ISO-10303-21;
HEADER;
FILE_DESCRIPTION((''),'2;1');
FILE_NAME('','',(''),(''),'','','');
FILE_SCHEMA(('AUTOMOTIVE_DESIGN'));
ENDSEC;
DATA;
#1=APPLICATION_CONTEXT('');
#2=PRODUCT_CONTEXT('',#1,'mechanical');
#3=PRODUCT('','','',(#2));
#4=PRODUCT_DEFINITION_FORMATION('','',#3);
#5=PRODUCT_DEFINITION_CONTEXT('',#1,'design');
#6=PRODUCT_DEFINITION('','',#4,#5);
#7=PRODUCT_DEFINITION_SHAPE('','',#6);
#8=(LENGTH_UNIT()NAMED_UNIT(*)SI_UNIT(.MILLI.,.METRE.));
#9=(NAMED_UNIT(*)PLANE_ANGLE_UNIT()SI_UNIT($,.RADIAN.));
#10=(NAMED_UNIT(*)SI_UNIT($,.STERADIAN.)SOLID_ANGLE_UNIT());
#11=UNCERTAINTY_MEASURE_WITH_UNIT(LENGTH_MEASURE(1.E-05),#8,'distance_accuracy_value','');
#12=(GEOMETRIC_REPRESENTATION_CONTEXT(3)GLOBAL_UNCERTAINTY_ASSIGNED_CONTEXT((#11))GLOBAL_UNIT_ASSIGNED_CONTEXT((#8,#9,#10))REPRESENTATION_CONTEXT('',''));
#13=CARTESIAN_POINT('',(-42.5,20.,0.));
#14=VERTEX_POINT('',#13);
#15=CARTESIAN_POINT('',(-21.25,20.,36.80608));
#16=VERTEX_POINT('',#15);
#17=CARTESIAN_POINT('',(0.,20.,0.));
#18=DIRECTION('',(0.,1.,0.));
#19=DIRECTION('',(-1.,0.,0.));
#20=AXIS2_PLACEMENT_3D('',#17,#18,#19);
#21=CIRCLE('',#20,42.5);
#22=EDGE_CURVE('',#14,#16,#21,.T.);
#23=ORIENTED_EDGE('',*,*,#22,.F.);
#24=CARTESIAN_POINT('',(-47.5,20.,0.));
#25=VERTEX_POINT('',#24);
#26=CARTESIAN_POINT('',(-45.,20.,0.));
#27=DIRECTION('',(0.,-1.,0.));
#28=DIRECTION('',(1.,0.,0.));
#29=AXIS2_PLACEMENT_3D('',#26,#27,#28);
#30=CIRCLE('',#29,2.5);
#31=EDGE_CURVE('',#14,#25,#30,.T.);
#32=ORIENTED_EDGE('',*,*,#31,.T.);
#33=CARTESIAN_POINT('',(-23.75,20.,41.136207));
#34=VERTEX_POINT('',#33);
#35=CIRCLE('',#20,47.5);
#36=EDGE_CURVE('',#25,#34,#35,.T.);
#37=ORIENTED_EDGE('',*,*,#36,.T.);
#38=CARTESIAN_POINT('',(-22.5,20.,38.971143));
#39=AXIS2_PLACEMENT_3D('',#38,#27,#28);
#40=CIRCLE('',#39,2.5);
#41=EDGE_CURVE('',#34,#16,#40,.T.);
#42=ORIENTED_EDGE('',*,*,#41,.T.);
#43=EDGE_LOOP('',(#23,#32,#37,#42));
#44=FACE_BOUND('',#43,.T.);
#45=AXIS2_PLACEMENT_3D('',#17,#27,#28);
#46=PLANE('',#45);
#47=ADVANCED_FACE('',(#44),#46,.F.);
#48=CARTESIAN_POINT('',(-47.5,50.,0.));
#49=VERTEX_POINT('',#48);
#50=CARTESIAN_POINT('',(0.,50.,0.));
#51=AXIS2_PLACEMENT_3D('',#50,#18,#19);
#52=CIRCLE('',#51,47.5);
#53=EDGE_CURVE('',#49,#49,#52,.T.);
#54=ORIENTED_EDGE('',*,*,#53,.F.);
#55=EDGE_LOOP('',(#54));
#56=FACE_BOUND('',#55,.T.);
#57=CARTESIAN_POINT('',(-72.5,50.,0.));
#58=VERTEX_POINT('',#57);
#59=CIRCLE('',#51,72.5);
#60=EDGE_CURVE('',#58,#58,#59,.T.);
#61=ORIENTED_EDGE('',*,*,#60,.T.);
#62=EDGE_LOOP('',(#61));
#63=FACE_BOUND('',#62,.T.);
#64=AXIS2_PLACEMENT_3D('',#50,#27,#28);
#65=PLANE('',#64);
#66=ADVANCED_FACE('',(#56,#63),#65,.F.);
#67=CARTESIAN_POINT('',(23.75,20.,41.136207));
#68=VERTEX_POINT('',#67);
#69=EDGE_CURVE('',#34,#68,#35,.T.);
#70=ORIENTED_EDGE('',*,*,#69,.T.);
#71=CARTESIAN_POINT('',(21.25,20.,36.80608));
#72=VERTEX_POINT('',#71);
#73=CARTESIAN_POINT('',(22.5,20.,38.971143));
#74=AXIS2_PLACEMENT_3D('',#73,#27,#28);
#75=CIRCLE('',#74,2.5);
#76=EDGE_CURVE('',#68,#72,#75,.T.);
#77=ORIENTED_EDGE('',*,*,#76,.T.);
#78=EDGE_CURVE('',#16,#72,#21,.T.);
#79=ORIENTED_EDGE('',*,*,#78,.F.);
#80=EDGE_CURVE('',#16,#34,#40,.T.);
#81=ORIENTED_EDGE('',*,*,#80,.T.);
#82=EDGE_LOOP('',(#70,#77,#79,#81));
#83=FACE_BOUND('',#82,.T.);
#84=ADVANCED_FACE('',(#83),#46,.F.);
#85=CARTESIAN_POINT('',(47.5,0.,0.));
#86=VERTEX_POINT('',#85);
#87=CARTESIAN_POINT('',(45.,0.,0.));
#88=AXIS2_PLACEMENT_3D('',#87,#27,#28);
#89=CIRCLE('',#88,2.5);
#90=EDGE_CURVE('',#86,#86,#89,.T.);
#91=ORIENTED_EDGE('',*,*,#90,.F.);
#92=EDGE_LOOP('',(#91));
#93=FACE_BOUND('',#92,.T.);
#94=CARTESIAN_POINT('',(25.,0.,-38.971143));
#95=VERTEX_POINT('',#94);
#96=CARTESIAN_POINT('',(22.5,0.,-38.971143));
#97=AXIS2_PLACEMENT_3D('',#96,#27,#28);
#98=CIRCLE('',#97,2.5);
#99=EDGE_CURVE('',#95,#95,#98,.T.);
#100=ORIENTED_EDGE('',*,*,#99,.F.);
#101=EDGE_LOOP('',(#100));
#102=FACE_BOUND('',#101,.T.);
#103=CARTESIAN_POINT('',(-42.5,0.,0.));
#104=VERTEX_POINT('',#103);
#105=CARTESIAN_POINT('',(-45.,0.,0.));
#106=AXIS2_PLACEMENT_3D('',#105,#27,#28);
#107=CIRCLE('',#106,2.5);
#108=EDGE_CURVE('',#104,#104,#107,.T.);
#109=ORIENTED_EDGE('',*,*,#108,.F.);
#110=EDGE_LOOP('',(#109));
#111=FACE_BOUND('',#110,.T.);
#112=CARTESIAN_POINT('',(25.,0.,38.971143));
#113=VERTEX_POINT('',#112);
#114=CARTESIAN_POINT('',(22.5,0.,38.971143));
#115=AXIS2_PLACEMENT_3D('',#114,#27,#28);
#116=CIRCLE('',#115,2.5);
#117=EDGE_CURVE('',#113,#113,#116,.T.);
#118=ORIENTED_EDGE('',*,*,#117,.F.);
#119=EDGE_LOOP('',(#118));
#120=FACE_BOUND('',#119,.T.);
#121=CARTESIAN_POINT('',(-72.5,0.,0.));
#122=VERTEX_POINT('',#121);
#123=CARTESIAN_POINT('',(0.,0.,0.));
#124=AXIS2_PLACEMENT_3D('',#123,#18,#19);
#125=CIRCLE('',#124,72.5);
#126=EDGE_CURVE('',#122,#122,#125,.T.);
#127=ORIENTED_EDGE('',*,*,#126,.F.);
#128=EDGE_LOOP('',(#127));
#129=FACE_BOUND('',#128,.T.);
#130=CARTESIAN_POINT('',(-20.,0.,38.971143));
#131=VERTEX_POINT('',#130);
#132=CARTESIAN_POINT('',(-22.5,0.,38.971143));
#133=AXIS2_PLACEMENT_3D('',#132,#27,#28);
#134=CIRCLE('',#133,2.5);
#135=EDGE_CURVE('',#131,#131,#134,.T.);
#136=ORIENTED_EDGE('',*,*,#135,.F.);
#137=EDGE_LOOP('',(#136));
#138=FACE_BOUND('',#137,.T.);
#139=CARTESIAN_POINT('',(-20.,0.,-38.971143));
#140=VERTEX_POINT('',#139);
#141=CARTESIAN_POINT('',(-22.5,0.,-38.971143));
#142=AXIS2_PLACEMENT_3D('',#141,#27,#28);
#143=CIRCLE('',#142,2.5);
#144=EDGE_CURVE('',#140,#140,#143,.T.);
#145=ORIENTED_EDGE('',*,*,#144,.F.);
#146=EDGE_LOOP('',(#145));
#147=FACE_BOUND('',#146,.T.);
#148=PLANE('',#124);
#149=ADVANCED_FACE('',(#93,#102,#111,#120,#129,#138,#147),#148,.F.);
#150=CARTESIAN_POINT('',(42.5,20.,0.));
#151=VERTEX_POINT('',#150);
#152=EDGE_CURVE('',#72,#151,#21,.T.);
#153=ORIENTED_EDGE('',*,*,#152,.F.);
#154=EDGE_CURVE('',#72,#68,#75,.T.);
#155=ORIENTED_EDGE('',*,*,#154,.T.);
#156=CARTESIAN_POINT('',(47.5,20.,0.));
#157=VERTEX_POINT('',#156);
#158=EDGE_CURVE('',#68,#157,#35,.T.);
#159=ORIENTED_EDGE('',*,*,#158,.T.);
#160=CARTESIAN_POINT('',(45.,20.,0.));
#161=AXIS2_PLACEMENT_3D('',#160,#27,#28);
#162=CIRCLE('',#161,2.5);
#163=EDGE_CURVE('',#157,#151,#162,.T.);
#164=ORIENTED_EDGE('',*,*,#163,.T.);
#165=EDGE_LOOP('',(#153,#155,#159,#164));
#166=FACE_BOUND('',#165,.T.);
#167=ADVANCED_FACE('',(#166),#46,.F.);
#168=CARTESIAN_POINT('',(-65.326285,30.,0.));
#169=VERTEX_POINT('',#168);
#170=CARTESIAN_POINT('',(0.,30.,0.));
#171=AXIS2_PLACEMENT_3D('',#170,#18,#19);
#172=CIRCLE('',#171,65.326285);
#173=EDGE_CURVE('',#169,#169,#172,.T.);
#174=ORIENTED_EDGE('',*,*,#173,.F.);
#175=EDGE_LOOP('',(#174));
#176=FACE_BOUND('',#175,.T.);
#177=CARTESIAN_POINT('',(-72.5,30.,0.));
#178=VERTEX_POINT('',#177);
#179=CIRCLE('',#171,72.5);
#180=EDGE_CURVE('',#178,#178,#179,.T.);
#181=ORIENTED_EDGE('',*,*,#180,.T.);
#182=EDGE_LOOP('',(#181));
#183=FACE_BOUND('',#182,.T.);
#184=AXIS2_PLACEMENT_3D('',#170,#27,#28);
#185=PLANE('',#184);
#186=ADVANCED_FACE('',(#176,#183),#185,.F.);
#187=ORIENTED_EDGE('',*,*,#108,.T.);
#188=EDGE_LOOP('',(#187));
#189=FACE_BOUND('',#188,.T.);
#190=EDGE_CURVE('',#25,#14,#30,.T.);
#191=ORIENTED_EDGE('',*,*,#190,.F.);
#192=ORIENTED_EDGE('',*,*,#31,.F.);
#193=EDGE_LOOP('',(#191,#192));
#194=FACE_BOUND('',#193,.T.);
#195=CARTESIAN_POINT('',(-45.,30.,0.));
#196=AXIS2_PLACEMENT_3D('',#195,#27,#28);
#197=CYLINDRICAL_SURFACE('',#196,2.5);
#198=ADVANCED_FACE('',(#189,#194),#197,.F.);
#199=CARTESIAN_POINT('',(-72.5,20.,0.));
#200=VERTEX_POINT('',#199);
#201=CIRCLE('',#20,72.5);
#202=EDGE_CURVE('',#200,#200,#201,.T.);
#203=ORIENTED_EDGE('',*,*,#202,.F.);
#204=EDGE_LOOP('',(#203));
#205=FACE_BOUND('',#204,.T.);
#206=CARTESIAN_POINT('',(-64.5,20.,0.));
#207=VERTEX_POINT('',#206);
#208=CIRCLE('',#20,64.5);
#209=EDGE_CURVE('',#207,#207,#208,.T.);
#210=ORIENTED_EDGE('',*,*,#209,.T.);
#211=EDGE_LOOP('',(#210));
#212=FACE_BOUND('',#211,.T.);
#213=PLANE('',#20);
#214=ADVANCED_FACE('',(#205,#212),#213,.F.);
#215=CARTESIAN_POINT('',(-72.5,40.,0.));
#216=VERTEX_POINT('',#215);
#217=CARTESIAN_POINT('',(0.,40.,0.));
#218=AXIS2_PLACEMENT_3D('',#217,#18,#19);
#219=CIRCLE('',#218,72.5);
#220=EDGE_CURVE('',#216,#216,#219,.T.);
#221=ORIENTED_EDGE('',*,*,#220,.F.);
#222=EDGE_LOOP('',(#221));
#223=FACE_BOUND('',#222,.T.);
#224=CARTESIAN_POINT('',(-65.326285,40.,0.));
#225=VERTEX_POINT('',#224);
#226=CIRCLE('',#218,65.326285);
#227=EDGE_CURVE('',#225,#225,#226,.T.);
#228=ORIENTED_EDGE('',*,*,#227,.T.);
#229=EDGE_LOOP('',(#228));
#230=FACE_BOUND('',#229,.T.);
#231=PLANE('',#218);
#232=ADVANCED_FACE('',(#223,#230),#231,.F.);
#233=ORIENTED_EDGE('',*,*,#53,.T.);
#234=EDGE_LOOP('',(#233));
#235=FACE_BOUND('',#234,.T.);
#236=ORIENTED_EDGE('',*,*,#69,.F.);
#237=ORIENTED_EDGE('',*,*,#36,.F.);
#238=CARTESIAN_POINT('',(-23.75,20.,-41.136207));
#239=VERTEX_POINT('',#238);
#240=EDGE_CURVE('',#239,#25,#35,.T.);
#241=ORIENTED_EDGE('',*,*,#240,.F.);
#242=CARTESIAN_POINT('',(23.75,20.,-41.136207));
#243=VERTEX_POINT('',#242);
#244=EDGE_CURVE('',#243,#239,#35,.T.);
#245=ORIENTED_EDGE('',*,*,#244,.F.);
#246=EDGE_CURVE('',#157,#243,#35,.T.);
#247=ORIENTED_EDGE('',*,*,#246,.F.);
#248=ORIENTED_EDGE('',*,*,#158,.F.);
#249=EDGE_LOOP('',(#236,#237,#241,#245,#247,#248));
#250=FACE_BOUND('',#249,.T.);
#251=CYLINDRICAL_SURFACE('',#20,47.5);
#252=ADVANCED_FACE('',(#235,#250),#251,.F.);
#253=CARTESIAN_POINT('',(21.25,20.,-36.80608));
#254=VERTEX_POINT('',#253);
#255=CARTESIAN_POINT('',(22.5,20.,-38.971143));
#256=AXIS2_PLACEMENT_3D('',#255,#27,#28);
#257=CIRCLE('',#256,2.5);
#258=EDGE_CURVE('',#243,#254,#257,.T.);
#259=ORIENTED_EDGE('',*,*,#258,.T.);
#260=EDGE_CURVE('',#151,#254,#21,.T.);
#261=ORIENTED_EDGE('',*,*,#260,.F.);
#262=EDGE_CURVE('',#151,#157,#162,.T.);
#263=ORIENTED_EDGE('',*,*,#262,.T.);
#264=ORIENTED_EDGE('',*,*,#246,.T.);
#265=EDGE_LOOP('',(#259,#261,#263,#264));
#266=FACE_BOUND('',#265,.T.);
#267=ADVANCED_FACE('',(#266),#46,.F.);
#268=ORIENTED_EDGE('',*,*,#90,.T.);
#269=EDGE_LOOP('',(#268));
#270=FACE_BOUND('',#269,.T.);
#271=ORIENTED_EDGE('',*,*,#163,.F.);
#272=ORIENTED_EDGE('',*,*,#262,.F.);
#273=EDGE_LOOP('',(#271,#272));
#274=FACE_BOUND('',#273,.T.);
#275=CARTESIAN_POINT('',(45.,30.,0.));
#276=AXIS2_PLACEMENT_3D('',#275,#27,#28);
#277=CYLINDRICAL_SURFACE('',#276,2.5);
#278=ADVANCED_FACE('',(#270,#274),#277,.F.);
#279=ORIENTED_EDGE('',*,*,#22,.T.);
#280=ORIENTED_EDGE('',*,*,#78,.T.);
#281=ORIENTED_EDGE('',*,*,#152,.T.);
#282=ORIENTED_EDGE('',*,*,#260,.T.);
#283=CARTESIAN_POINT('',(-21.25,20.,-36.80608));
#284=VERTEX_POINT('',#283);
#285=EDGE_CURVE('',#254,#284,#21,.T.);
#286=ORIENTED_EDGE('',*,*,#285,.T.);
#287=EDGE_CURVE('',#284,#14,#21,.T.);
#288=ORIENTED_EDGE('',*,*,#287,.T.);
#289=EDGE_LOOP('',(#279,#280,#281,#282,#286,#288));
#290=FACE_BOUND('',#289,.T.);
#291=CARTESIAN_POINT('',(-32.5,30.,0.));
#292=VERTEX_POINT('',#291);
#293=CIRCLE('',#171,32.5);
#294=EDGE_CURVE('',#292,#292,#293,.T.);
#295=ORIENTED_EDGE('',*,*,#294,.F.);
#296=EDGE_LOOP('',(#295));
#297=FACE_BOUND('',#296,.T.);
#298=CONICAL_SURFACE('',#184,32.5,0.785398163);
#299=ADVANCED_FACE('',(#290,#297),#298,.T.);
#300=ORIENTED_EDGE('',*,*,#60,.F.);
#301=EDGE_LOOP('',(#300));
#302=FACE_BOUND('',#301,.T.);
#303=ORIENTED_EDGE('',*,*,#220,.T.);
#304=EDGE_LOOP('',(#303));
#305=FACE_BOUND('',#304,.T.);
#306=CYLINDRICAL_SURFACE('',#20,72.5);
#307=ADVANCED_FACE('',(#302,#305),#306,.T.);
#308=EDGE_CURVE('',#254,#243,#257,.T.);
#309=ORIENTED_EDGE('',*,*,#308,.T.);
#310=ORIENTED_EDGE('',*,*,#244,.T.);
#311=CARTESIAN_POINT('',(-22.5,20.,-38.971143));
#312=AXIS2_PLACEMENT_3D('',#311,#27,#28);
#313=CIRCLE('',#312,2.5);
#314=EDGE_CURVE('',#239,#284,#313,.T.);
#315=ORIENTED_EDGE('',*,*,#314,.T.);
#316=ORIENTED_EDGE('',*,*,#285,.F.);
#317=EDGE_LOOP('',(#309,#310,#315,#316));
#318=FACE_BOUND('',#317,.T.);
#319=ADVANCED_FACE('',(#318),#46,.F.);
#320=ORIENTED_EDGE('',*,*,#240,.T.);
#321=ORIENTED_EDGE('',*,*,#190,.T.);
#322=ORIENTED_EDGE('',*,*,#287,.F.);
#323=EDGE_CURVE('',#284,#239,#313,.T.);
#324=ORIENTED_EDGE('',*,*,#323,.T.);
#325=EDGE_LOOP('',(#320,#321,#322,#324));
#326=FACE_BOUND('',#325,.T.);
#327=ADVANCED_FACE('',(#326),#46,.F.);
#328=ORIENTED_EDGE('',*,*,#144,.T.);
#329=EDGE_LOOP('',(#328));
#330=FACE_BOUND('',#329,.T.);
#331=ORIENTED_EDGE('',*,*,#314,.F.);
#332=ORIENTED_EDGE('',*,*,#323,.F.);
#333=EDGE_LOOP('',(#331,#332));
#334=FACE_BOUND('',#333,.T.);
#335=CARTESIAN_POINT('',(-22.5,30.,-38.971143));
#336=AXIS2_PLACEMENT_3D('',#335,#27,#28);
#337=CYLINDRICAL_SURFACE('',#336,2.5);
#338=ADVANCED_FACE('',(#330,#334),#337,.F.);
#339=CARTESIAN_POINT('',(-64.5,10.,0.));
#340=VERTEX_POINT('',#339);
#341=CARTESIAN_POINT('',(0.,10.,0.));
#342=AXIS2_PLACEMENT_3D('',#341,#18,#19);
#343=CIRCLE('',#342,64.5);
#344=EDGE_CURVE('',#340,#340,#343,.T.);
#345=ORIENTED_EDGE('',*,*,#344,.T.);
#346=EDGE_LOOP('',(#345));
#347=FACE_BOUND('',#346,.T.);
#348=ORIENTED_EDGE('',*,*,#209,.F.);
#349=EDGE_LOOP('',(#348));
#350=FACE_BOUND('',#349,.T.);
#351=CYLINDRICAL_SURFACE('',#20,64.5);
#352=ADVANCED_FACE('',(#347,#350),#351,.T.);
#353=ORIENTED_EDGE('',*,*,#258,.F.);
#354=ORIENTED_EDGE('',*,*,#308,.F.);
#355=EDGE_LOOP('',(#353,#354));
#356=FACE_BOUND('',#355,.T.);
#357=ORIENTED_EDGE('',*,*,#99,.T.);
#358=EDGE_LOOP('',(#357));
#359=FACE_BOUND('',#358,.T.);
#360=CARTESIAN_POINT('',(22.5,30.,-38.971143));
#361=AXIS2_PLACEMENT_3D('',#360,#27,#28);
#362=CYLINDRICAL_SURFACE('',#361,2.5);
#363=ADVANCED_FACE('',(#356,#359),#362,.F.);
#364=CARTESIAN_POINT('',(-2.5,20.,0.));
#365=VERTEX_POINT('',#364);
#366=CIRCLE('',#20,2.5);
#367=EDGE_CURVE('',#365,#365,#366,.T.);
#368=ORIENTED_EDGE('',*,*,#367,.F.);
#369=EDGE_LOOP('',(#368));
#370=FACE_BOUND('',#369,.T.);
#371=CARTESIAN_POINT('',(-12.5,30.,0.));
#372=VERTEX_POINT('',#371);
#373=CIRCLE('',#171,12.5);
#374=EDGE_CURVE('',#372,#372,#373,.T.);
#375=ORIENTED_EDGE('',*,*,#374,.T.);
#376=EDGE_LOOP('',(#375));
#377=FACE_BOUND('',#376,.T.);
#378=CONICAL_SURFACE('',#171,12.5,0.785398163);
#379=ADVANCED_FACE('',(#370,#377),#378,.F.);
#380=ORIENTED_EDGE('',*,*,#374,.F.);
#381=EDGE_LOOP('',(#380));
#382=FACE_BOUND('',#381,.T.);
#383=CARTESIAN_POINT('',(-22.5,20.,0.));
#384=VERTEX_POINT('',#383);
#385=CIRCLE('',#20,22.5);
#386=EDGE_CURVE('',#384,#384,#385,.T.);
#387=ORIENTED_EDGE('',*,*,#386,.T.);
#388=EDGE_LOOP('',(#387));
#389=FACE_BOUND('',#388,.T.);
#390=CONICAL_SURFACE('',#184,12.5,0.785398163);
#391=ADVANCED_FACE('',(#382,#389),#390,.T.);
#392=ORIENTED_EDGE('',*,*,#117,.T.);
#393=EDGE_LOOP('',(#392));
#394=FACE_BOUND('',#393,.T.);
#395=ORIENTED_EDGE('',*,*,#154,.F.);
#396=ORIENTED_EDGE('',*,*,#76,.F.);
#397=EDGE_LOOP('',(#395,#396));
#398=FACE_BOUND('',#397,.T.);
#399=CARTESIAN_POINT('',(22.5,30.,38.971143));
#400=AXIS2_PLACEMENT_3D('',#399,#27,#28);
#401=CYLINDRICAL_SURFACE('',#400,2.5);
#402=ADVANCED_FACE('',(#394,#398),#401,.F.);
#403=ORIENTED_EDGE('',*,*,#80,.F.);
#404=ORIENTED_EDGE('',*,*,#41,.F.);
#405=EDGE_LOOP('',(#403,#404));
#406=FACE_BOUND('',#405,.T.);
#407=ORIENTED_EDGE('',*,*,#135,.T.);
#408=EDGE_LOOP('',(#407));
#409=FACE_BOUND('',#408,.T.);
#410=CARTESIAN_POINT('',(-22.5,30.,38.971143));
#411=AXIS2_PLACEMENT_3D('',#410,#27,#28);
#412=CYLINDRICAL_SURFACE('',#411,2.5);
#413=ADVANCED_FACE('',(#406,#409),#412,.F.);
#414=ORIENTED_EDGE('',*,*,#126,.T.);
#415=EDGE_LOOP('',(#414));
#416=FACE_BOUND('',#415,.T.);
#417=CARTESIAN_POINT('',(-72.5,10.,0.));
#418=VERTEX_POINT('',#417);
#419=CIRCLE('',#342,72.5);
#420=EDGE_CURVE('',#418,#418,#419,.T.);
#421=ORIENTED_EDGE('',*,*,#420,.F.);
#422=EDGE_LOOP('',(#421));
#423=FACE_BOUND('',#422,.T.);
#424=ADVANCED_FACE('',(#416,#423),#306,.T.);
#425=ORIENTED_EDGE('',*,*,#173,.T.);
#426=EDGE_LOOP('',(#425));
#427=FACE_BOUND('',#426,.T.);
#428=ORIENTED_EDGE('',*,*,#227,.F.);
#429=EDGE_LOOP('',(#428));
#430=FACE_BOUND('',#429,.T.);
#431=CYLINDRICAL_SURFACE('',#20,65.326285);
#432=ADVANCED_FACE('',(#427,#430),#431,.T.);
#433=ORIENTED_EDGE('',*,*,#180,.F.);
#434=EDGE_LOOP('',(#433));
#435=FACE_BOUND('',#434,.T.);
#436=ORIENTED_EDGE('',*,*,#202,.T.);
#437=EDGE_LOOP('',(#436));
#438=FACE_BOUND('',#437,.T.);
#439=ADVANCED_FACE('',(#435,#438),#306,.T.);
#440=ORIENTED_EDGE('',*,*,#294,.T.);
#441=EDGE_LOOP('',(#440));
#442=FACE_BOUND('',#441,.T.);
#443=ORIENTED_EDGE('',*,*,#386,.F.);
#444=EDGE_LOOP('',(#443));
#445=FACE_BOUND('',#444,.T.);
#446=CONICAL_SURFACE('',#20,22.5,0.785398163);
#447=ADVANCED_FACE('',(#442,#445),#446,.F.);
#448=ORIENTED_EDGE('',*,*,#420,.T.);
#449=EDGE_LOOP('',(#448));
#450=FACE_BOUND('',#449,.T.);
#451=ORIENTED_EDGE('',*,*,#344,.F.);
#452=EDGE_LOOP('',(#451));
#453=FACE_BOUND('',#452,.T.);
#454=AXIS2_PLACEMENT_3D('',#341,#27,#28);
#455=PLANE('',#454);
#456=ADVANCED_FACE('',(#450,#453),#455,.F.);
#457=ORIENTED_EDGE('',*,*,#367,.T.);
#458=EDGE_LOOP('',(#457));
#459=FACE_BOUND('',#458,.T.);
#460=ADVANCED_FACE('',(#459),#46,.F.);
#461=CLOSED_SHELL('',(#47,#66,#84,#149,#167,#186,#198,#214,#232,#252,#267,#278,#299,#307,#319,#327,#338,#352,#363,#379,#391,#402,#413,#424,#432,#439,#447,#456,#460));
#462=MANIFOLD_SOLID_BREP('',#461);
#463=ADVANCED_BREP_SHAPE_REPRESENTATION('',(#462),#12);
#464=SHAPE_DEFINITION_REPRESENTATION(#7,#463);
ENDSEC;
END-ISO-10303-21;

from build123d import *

# Parameters (mm, degrees)
SKETCH2_R          = 2.5
CUT_EXTRUDE1_DEPTH = 30


with BuildPart() as part:
    # Sketch1 → Revolve1 (revolve)
    with BuildSketch(Plane.XY):
        Polygon((-72.5, 0), (0, 0), (0, 20), (-2.5, 20), (-12.5, 30), (-22.5, 20), (-32.5, 30), (-42.5, 20), (-47.5, 20), (-47.5, 50), (-72.5, 50), (-72.5, 40), (-65.326285386, 40), (-65.326285386, 30), (-72.5, 30), (-72.5, 20), (-64.5, 20), (-64.5, 10), (-72.5, 10), align=None)
    revolve(axis=Axis((0, 20, 0), (0, -1, 0)))

    # Sketch2 → Cut-Extrude1 (cut)
    with BuildSketch(Plane.XZ):
        with BuildLine():
            ThreePointArc((-47.5, 0), (-45, -2.5), (-42.5, 0))
            Line((-42.5, 0), (-47.5, 0))
        make_face()
        with BuildLine():
            Line((-47.5, 0), (-42.5, 0))
            ThreePointArc((-42.5, 0), (-45, 2.5), (-47.5, 0))
        make_face()
        with Locations((-22.5, -38.97114317)):
            Circle(SKETCH2_R)
        with Locations((-22.5, 38.97114317)):
            Circle(SKETCH2_R)
        with Locations((22.5, 38.97114317)):
            Circle(SKETCH2_R)
        with Locations((45, 0)):
            Circle(SKETCH2_R)
        with Locations((22.5, -38.97114317)):
            Circle(SKETCH2_R)
    extrude(amount=-CUT_EXTRUDE1_DEPTH, mode=Mode.SUBTRACT)


solid = part.part
